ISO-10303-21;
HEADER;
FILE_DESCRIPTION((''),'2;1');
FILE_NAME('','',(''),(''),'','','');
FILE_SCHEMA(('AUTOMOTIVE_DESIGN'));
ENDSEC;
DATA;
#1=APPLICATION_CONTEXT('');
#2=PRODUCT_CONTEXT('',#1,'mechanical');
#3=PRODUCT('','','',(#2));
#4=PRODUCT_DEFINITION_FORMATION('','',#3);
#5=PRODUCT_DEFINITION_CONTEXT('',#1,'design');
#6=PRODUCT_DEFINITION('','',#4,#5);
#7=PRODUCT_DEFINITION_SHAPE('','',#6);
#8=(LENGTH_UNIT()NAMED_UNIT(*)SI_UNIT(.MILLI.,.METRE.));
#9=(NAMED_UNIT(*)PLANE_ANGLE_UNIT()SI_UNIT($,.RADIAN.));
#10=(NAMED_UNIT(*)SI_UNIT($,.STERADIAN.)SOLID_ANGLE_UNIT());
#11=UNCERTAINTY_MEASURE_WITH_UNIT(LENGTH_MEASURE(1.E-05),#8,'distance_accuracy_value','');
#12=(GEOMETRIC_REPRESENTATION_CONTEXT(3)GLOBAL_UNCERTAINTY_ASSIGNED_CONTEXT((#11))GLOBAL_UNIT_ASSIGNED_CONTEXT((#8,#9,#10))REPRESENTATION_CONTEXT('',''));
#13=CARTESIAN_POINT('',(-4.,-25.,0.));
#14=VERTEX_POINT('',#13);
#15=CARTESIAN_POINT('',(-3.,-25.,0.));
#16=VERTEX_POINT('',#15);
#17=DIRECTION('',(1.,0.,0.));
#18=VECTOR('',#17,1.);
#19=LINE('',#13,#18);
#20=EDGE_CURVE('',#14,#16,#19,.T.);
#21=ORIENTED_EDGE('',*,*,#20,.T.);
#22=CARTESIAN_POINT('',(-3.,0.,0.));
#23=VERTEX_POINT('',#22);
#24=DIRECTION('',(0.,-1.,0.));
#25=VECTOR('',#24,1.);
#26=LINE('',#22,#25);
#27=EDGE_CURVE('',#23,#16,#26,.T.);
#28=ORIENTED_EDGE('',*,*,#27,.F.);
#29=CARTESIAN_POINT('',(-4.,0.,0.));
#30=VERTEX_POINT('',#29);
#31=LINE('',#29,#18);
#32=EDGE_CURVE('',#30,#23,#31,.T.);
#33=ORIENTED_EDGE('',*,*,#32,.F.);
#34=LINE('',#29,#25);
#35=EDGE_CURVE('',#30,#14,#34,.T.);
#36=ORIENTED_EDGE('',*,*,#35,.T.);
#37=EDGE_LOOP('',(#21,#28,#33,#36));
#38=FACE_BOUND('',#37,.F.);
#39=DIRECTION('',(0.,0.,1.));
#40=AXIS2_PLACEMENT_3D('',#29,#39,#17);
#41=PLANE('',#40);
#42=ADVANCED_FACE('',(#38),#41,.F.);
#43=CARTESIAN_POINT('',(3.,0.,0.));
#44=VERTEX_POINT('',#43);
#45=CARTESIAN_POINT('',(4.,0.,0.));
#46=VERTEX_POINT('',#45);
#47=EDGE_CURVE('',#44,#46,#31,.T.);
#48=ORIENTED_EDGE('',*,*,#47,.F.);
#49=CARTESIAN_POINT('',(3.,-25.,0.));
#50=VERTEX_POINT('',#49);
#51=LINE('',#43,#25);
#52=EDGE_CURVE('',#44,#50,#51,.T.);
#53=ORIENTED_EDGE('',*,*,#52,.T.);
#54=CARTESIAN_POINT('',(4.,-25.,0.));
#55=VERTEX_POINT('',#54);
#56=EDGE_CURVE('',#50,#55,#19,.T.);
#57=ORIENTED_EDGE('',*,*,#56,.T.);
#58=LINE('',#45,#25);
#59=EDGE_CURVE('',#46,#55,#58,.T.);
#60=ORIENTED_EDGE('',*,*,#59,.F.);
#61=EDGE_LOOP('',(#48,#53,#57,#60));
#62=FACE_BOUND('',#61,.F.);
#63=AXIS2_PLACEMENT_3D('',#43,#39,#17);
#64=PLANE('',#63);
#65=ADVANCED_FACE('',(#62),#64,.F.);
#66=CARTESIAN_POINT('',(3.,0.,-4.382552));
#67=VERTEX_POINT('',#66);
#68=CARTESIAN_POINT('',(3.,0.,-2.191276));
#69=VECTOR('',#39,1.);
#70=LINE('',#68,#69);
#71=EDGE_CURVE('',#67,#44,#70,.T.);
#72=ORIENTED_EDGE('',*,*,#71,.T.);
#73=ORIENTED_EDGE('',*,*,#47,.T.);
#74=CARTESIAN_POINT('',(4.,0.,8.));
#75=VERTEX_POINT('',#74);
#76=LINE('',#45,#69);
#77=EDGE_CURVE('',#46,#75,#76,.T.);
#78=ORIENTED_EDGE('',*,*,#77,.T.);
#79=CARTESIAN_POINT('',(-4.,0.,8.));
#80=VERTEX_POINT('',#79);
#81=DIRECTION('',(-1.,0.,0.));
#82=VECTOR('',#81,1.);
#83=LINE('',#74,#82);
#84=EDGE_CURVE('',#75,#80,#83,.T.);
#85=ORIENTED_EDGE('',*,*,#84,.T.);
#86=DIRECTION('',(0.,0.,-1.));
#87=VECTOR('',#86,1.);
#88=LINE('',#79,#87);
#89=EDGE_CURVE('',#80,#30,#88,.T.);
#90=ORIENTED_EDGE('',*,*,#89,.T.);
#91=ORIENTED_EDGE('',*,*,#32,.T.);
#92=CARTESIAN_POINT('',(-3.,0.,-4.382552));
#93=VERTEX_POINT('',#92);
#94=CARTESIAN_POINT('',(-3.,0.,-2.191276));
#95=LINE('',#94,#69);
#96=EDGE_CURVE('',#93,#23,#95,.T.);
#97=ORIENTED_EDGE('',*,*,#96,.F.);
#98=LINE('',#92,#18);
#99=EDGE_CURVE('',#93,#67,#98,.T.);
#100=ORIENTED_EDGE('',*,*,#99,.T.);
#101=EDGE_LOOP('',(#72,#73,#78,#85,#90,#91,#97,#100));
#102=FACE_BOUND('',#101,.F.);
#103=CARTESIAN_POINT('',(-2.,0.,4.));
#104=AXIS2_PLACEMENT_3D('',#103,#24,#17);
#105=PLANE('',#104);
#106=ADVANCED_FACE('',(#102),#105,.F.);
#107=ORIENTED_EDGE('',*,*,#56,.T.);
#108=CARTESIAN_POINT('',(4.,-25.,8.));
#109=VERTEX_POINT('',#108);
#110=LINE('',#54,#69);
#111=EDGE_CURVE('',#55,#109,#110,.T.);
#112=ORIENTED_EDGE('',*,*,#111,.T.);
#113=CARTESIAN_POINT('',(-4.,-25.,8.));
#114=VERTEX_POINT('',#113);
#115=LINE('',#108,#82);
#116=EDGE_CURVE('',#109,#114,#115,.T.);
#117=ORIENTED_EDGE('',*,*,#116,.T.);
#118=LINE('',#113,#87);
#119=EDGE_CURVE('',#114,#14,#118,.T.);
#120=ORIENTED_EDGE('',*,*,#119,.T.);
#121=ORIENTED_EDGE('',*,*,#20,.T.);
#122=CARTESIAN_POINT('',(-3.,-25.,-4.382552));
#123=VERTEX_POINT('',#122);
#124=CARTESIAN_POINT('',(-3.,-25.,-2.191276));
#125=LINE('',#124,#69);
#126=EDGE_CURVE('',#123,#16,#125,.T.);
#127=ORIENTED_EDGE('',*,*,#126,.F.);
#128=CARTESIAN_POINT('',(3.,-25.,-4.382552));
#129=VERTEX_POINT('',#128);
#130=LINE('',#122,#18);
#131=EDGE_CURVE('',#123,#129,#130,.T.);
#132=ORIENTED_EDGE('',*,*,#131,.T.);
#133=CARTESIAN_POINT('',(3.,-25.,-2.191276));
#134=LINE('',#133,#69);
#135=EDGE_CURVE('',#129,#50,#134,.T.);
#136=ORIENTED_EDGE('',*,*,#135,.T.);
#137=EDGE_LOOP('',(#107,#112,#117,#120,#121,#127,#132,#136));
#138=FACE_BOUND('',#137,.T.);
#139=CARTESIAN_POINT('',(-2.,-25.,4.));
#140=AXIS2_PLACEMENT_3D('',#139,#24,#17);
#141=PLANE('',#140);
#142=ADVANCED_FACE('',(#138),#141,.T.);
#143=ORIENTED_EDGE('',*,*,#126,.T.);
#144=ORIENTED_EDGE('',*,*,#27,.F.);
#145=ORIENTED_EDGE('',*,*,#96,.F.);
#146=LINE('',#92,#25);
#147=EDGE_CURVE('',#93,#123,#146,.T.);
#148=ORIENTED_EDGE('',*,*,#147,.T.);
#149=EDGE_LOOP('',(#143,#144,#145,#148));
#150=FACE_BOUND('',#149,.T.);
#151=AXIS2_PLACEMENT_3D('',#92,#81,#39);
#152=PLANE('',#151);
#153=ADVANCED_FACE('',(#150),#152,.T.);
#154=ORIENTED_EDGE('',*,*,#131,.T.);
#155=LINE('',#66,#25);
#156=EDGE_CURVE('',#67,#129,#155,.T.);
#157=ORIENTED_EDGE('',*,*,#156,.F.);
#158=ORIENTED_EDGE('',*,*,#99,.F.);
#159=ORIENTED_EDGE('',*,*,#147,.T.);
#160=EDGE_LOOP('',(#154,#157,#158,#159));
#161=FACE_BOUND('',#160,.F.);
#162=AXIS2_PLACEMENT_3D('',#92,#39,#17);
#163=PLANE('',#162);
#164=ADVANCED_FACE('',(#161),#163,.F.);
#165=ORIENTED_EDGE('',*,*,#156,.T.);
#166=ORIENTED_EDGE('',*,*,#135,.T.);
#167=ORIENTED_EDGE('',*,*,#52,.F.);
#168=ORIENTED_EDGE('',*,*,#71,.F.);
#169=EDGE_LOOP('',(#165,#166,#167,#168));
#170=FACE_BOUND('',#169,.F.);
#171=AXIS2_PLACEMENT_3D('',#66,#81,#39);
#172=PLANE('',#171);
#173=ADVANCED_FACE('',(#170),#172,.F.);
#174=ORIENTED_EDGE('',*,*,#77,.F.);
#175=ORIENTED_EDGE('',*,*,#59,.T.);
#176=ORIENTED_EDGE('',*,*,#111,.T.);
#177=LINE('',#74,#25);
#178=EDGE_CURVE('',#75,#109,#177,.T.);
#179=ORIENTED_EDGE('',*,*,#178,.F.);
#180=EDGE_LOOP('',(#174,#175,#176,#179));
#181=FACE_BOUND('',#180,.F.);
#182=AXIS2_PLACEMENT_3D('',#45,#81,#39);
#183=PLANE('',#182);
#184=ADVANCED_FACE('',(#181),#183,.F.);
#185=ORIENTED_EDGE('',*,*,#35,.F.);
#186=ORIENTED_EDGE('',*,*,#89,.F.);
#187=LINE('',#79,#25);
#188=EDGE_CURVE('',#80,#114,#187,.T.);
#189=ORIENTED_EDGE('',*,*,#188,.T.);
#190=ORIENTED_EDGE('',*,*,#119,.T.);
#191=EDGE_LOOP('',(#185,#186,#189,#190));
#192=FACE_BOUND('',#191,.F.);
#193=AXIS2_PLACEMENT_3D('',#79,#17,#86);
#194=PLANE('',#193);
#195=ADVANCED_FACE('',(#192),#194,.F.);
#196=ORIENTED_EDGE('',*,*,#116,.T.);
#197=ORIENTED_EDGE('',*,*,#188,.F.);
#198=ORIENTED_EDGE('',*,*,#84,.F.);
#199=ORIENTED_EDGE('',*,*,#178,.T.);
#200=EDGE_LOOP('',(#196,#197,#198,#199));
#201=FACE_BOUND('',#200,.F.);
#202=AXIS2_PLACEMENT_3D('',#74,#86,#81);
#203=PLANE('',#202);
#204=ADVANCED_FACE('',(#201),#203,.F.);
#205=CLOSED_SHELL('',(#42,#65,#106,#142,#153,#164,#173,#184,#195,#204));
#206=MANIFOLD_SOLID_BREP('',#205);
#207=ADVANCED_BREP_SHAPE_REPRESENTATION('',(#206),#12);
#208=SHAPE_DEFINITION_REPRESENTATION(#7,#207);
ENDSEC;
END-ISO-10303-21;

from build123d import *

# Parameters (mm, degrees)
F0_W     = 3
F0_H     = 4.382552
F1_DEPTH = 25


with BuildPart() as f1:
    # F0 (on Front) → F1 (new body)
    with BuildSketch(Plane.XZ):
        Polygon((-3, 0), (0, 0), (0, 8), (-4, 8), (-4, 0), align=None)
        Polygon((0, 8), (0, 0), (3, 0), (4, 0), (4, 8), align=None)
        with Locations((-1.5, -2.191276)):
            Rectangle(F0_W, F0_H)
        with Locations((1.5, -2.191276)):
            Rectangle(F0_W, F0_H)
    extrude(amount=F1_DEPTH)


solid = f1.part
